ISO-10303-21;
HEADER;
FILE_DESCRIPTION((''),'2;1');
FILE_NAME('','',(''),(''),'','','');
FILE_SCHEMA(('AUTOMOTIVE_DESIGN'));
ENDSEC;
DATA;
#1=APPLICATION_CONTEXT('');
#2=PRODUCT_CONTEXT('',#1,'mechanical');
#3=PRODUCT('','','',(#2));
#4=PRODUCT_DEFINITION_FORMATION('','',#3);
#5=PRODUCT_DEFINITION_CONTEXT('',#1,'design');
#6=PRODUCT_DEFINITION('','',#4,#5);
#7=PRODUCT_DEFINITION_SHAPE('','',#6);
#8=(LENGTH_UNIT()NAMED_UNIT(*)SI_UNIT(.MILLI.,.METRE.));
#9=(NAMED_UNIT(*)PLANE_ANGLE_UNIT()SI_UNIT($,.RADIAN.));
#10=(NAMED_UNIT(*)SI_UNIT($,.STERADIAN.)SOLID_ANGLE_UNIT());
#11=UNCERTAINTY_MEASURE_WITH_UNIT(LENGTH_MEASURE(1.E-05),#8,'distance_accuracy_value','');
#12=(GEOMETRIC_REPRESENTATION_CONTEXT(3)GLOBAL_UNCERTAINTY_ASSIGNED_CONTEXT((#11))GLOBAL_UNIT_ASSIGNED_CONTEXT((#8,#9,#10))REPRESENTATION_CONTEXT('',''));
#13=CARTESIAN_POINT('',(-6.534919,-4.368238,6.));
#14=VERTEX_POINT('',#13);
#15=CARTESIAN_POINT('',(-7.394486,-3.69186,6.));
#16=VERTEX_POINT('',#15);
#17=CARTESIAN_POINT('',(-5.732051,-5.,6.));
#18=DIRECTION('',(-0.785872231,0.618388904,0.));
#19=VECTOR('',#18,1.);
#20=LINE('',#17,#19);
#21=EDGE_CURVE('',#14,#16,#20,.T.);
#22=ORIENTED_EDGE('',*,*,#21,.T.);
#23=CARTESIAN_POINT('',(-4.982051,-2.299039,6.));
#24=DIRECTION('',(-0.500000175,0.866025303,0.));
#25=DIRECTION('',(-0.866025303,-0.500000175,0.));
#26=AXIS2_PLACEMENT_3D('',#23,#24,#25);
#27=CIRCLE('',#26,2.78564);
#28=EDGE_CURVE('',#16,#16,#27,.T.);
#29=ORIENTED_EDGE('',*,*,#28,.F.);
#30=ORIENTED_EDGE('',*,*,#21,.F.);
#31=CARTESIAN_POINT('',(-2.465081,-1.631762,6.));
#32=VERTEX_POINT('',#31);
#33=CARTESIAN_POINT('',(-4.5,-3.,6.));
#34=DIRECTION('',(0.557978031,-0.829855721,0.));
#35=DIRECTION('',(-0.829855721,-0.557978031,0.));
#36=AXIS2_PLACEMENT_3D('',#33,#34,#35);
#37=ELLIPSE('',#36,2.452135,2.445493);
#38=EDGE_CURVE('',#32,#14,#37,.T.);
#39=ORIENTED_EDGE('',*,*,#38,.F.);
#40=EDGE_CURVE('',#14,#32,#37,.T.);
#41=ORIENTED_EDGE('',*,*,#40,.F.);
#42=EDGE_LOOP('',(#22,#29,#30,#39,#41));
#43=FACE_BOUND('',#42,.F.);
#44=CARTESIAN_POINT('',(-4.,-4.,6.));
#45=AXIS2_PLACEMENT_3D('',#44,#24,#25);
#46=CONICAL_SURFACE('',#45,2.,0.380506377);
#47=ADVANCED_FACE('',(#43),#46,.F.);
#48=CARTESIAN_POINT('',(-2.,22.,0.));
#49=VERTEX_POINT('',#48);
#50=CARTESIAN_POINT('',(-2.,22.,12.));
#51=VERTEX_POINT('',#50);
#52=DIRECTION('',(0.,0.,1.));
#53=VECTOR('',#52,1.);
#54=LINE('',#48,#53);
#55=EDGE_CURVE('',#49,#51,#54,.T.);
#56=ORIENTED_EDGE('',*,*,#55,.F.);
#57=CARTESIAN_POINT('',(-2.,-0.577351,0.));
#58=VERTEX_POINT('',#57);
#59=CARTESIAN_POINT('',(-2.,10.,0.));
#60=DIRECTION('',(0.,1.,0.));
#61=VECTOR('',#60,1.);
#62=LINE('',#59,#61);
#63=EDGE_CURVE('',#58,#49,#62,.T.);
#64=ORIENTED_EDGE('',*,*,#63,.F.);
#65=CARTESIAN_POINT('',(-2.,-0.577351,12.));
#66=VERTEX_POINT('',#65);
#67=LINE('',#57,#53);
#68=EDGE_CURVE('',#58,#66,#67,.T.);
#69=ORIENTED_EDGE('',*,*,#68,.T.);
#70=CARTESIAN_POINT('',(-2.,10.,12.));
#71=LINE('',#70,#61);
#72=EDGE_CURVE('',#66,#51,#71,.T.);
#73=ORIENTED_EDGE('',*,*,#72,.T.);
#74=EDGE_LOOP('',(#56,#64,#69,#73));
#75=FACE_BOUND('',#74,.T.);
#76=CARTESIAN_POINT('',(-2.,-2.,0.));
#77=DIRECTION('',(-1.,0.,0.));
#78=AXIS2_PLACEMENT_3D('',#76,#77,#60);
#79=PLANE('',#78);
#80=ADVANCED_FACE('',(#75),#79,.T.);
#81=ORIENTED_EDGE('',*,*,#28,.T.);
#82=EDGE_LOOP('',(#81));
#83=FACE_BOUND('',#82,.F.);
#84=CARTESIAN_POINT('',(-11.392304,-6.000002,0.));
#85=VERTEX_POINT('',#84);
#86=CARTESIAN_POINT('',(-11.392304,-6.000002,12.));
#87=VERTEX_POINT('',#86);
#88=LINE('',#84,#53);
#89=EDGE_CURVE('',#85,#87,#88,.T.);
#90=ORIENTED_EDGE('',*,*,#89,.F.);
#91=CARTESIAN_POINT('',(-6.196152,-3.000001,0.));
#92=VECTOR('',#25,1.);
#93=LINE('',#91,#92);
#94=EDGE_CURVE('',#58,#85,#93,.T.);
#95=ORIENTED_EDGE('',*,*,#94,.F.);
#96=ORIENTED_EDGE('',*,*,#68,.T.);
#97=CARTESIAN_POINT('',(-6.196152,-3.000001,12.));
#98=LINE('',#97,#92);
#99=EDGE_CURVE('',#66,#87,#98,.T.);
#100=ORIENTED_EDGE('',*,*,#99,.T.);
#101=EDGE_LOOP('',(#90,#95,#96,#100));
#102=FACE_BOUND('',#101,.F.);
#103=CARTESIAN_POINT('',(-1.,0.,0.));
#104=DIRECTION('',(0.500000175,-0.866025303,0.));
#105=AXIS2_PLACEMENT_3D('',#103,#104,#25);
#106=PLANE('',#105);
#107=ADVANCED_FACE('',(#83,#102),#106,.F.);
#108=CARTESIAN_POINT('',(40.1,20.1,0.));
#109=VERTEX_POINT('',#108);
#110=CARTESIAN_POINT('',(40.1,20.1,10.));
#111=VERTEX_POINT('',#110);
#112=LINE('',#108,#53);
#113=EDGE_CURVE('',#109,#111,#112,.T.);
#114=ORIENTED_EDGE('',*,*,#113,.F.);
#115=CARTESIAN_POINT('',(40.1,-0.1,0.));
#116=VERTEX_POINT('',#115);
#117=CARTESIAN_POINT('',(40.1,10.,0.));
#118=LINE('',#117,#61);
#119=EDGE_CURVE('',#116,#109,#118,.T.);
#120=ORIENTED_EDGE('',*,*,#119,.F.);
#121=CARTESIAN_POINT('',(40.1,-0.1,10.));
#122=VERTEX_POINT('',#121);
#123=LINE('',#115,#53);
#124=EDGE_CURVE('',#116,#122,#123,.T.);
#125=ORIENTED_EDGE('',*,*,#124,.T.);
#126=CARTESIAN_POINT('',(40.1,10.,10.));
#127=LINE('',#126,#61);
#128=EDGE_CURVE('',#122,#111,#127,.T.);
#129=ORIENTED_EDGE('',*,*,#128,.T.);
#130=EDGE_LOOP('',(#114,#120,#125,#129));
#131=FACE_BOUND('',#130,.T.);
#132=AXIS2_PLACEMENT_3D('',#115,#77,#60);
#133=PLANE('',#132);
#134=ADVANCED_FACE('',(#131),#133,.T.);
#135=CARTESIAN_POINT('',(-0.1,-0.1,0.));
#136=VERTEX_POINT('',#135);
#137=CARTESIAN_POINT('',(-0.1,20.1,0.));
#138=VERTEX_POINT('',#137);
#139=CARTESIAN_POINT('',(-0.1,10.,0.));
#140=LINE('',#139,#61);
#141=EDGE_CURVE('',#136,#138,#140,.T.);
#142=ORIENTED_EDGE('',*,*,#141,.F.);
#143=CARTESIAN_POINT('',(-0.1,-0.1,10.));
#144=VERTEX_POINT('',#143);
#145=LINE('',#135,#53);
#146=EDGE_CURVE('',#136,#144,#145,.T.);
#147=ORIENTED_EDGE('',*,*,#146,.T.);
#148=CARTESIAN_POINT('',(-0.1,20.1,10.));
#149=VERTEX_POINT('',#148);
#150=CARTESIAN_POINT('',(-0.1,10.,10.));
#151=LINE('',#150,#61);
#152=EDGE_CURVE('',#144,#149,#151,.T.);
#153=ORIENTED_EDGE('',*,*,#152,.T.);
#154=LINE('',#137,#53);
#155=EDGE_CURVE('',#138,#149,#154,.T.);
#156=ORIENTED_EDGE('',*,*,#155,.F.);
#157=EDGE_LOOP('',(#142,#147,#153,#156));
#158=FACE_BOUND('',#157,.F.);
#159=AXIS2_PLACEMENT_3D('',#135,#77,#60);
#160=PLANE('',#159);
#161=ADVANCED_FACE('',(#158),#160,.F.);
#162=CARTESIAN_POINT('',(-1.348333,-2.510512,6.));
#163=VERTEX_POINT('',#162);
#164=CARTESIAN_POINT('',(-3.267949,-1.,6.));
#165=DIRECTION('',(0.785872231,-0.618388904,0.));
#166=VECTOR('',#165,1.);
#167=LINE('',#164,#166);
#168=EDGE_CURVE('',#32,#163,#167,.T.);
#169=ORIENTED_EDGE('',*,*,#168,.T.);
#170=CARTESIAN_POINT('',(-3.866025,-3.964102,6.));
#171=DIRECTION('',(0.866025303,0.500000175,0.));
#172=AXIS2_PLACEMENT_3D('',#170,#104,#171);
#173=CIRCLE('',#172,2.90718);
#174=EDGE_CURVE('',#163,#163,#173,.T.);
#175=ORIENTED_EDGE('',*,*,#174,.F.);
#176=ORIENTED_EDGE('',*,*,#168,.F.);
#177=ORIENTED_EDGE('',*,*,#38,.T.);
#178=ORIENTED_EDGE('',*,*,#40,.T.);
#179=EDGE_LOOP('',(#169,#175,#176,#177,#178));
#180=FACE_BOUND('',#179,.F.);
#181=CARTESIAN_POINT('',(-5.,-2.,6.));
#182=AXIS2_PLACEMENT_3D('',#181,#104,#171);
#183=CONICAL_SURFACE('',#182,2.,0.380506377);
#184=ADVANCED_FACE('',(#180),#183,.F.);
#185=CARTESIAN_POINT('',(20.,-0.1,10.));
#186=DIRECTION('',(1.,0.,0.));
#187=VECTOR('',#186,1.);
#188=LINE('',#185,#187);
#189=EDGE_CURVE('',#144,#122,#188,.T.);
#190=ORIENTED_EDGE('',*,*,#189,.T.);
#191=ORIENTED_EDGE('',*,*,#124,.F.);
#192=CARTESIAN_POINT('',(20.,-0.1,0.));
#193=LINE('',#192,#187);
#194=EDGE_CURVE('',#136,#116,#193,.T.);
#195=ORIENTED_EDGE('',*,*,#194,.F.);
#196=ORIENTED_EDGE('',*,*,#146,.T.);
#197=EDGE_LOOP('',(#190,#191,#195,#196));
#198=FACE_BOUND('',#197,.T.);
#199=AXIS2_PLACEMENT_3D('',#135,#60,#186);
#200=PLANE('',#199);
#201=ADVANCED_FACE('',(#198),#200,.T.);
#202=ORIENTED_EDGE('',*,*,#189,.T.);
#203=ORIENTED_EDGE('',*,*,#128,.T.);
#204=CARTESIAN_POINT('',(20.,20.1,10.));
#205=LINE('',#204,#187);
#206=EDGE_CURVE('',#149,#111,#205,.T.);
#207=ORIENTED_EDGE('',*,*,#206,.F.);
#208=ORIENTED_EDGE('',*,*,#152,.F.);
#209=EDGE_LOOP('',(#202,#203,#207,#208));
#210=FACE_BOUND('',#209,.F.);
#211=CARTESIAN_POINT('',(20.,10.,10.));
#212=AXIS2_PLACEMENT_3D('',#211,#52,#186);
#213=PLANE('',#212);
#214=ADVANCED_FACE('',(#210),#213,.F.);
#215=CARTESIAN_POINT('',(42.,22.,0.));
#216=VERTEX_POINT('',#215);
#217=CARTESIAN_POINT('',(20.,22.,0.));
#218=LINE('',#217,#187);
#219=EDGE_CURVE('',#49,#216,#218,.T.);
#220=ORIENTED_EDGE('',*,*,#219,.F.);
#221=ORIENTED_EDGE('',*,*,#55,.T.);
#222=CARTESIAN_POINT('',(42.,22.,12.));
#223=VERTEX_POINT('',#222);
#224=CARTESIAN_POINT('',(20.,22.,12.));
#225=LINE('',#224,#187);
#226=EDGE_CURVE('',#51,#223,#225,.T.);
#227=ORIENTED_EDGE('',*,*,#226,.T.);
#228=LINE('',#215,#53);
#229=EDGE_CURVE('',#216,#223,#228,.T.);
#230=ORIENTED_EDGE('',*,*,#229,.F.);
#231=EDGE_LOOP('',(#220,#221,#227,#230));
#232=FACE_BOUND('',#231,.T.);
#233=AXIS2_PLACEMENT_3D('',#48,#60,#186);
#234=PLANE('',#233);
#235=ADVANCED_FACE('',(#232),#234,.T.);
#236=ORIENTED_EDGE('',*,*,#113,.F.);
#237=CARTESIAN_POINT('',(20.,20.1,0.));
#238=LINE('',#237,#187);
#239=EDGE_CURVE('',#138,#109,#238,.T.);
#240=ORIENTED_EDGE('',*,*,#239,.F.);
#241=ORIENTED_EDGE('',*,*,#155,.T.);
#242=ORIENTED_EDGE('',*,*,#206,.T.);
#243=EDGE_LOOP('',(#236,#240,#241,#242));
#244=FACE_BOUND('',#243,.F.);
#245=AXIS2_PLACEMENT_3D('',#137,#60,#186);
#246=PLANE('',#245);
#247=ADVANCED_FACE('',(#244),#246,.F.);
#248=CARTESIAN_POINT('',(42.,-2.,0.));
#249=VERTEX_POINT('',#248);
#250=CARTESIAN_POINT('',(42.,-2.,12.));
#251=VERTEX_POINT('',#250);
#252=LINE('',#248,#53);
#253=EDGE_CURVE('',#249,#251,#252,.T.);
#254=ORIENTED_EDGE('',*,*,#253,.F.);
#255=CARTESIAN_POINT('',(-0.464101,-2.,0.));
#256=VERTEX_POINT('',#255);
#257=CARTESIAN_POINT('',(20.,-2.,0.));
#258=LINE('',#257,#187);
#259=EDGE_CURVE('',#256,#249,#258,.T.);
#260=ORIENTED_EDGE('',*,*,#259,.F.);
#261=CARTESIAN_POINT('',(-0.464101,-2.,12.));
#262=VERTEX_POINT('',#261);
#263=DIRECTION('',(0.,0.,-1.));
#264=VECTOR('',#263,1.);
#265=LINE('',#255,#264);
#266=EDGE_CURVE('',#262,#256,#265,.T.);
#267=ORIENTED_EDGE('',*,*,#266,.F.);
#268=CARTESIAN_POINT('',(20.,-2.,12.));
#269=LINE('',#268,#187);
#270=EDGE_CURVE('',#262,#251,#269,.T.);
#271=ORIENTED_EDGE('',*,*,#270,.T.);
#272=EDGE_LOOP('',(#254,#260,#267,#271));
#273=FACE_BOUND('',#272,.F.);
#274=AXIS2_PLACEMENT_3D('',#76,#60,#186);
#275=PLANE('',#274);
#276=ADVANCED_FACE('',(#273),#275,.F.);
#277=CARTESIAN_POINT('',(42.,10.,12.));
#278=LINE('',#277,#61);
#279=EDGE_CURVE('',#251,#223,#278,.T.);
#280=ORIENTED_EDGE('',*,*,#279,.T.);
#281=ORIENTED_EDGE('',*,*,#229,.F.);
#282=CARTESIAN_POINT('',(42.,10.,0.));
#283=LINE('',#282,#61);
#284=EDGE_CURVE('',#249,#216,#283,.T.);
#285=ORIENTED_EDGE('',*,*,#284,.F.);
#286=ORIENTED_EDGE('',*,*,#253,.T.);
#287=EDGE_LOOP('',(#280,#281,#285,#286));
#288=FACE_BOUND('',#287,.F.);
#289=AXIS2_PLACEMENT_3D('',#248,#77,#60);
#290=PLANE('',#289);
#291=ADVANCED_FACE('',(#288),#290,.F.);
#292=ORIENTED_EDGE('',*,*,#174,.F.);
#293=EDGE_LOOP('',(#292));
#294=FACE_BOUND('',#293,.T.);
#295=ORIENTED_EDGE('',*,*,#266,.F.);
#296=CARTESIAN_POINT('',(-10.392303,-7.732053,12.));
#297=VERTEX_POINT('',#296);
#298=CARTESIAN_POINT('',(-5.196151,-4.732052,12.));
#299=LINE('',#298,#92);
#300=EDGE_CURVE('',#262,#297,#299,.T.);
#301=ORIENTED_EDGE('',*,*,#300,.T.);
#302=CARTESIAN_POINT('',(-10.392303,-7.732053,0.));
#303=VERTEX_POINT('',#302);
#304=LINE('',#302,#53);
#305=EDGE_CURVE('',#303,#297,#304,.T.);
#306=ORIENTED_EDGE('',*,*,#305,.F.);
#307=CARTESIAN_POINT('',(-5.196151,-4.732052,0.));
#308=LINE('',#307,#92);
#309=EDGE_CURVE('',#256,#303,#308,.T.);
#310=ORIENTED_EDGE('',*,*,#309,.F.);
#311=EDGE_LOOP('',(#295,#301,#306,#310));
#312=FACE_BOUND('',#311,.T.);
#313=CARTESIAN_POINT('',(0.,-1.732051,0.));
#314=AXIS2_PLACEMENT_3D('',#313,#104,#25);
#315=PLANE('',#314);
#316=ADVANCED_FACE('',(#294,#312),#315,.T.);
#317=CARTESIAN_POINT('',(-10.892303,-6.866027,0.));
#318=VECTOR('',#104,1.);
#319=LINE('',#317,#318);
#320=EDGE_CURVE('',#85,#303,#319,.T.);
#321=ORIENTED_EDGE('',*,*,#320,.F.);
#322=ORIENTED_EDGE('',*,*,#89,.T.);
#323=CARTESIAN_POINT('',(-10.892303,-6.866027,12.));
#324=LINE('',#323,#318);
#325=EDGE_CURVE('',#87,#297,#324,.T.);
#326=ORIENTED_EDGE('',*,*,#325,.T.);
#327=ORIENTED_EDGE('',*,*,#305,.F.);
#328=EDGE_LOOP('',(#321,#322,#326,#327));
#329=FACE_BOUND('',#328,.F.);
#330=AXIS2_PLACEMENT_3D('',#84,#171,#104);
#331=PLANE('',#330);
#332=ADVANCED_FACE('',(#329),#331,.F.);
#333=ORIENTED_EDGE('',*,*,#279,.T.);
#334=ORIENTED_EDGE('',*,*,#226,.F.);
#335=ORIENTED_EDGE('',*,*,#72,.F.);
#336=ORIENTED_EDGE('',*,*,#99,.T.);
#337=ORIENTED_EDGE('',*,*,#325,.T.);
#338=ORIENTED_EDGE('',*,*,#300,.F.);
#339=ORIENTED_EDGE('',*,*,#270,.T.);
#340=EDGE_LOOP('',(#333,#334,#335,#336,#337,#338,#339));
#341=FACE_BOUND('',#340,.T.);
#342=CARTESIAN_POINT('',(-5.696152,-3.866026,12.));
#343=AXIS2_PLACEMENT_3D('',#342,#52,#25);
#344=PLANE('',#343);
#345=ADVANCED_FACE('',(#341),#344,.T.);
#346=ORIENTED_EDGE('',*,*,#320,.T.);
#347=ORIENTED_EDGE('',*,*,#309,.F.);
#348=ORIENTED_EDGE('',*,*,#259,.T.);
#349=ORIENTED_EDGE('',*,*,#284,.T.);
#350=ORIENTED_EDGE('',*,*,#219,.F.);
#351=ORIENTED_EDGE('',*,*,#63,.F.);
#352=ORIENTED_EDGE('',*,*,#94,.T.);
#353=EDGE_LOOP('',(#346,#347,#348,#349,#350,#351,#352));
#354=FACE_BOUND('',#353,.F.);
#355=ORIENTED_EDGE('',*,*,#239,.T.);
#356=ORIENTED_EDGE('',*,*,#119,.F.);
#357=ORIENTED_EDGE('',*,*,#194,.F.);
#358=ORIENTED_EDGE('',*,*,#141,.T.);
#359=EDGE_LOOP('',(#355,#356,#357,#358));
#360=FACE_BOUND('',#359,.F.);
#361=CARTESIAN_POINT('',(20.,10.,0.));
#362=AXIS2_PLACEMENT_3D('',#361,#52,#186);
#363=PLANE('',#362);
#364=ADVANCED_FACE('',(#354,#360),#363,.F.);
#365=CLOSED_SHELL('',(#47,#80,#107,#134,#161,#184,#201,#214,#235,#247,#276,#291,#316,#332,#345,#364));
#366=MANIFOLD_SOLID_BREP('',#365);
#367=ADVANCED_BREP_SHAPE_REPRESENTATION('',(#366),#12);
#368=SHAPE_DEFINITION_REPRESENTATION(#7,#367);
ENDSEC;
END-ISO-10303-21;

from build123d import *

# Parameters (mm, degrees)
SKETCH001_W  = 44
SKETCH001_H  = 24
PAD_DEPTH    = 12
BOX_W        = 12
BOX_H        = 2
BOX_DEPTH    = 12
BOX001_W     = 40.2
BOX001_H     = 20.2
BOX001_DEPTH = 10


with BuildPart() as part:
    # Sketch001 → Pad (new body)
    with BuildSketch(Plane.XY):
        with Locations((20, 10)):
            Rectangle(SKETCH001_W, SKETCH001_H)
    extrude(amount=PAD_DEPTH)

    # Box → Box (join)
    with BuildSketch(Plane(origin=(-1, 0, 0), x_dir=(-0.866025, -0.5, 0), z_dir=(0, 0, 1))):
        with Locations((6, 1)):
            Rectangle(BOX_W, BOX_H)
    extrude(amount=BOX_DEPTH)

    # Box001 → Box001 (cut)
    with BuildSketch(Plane(origin=(-0.1, -0.1, 0), x_dir=(1, 0, 0), z_dir=(0, 0, 1))):
        with Locations((20.1, 10.1)):
            Rectangle(BOX001_W, BOX001_H)
    extrude(amount=BOX001_DEPTH, mode=Mode.SUBTRACT)

    # Cone → Cone (revolve, cut)
    with BuildSketch(Plane(origin=(-5, -2, 6), x_dir=(0.866025, 0.5, 0), z_dir=(0, 0, -1))):
        Polygon((0, 0), (2, 0), (3, 2.5), (0, 2.5), align=None)
    revolve(axis=Axis((-5, -2, 6), (0.5, -0.866025, 0)), mode=Mode.SUBTRACT)

    # Cone001 → Cone001 (revolve, cut)
    with BuildSketch(Plane(origin=(-4, -4, 6), x_dir=(-0.866025, -0.5, 0), z_dir=(0, 0, -1))):
        Polygon((0, 0), (2, 0), (3, 2.5), (0, 2.5), align=None)
    revolve(axis=Axis((-4, -4, 6), (-0.5, 0.866025, 0)), mode=Mode.SUBTRACT)


solid = part.part
